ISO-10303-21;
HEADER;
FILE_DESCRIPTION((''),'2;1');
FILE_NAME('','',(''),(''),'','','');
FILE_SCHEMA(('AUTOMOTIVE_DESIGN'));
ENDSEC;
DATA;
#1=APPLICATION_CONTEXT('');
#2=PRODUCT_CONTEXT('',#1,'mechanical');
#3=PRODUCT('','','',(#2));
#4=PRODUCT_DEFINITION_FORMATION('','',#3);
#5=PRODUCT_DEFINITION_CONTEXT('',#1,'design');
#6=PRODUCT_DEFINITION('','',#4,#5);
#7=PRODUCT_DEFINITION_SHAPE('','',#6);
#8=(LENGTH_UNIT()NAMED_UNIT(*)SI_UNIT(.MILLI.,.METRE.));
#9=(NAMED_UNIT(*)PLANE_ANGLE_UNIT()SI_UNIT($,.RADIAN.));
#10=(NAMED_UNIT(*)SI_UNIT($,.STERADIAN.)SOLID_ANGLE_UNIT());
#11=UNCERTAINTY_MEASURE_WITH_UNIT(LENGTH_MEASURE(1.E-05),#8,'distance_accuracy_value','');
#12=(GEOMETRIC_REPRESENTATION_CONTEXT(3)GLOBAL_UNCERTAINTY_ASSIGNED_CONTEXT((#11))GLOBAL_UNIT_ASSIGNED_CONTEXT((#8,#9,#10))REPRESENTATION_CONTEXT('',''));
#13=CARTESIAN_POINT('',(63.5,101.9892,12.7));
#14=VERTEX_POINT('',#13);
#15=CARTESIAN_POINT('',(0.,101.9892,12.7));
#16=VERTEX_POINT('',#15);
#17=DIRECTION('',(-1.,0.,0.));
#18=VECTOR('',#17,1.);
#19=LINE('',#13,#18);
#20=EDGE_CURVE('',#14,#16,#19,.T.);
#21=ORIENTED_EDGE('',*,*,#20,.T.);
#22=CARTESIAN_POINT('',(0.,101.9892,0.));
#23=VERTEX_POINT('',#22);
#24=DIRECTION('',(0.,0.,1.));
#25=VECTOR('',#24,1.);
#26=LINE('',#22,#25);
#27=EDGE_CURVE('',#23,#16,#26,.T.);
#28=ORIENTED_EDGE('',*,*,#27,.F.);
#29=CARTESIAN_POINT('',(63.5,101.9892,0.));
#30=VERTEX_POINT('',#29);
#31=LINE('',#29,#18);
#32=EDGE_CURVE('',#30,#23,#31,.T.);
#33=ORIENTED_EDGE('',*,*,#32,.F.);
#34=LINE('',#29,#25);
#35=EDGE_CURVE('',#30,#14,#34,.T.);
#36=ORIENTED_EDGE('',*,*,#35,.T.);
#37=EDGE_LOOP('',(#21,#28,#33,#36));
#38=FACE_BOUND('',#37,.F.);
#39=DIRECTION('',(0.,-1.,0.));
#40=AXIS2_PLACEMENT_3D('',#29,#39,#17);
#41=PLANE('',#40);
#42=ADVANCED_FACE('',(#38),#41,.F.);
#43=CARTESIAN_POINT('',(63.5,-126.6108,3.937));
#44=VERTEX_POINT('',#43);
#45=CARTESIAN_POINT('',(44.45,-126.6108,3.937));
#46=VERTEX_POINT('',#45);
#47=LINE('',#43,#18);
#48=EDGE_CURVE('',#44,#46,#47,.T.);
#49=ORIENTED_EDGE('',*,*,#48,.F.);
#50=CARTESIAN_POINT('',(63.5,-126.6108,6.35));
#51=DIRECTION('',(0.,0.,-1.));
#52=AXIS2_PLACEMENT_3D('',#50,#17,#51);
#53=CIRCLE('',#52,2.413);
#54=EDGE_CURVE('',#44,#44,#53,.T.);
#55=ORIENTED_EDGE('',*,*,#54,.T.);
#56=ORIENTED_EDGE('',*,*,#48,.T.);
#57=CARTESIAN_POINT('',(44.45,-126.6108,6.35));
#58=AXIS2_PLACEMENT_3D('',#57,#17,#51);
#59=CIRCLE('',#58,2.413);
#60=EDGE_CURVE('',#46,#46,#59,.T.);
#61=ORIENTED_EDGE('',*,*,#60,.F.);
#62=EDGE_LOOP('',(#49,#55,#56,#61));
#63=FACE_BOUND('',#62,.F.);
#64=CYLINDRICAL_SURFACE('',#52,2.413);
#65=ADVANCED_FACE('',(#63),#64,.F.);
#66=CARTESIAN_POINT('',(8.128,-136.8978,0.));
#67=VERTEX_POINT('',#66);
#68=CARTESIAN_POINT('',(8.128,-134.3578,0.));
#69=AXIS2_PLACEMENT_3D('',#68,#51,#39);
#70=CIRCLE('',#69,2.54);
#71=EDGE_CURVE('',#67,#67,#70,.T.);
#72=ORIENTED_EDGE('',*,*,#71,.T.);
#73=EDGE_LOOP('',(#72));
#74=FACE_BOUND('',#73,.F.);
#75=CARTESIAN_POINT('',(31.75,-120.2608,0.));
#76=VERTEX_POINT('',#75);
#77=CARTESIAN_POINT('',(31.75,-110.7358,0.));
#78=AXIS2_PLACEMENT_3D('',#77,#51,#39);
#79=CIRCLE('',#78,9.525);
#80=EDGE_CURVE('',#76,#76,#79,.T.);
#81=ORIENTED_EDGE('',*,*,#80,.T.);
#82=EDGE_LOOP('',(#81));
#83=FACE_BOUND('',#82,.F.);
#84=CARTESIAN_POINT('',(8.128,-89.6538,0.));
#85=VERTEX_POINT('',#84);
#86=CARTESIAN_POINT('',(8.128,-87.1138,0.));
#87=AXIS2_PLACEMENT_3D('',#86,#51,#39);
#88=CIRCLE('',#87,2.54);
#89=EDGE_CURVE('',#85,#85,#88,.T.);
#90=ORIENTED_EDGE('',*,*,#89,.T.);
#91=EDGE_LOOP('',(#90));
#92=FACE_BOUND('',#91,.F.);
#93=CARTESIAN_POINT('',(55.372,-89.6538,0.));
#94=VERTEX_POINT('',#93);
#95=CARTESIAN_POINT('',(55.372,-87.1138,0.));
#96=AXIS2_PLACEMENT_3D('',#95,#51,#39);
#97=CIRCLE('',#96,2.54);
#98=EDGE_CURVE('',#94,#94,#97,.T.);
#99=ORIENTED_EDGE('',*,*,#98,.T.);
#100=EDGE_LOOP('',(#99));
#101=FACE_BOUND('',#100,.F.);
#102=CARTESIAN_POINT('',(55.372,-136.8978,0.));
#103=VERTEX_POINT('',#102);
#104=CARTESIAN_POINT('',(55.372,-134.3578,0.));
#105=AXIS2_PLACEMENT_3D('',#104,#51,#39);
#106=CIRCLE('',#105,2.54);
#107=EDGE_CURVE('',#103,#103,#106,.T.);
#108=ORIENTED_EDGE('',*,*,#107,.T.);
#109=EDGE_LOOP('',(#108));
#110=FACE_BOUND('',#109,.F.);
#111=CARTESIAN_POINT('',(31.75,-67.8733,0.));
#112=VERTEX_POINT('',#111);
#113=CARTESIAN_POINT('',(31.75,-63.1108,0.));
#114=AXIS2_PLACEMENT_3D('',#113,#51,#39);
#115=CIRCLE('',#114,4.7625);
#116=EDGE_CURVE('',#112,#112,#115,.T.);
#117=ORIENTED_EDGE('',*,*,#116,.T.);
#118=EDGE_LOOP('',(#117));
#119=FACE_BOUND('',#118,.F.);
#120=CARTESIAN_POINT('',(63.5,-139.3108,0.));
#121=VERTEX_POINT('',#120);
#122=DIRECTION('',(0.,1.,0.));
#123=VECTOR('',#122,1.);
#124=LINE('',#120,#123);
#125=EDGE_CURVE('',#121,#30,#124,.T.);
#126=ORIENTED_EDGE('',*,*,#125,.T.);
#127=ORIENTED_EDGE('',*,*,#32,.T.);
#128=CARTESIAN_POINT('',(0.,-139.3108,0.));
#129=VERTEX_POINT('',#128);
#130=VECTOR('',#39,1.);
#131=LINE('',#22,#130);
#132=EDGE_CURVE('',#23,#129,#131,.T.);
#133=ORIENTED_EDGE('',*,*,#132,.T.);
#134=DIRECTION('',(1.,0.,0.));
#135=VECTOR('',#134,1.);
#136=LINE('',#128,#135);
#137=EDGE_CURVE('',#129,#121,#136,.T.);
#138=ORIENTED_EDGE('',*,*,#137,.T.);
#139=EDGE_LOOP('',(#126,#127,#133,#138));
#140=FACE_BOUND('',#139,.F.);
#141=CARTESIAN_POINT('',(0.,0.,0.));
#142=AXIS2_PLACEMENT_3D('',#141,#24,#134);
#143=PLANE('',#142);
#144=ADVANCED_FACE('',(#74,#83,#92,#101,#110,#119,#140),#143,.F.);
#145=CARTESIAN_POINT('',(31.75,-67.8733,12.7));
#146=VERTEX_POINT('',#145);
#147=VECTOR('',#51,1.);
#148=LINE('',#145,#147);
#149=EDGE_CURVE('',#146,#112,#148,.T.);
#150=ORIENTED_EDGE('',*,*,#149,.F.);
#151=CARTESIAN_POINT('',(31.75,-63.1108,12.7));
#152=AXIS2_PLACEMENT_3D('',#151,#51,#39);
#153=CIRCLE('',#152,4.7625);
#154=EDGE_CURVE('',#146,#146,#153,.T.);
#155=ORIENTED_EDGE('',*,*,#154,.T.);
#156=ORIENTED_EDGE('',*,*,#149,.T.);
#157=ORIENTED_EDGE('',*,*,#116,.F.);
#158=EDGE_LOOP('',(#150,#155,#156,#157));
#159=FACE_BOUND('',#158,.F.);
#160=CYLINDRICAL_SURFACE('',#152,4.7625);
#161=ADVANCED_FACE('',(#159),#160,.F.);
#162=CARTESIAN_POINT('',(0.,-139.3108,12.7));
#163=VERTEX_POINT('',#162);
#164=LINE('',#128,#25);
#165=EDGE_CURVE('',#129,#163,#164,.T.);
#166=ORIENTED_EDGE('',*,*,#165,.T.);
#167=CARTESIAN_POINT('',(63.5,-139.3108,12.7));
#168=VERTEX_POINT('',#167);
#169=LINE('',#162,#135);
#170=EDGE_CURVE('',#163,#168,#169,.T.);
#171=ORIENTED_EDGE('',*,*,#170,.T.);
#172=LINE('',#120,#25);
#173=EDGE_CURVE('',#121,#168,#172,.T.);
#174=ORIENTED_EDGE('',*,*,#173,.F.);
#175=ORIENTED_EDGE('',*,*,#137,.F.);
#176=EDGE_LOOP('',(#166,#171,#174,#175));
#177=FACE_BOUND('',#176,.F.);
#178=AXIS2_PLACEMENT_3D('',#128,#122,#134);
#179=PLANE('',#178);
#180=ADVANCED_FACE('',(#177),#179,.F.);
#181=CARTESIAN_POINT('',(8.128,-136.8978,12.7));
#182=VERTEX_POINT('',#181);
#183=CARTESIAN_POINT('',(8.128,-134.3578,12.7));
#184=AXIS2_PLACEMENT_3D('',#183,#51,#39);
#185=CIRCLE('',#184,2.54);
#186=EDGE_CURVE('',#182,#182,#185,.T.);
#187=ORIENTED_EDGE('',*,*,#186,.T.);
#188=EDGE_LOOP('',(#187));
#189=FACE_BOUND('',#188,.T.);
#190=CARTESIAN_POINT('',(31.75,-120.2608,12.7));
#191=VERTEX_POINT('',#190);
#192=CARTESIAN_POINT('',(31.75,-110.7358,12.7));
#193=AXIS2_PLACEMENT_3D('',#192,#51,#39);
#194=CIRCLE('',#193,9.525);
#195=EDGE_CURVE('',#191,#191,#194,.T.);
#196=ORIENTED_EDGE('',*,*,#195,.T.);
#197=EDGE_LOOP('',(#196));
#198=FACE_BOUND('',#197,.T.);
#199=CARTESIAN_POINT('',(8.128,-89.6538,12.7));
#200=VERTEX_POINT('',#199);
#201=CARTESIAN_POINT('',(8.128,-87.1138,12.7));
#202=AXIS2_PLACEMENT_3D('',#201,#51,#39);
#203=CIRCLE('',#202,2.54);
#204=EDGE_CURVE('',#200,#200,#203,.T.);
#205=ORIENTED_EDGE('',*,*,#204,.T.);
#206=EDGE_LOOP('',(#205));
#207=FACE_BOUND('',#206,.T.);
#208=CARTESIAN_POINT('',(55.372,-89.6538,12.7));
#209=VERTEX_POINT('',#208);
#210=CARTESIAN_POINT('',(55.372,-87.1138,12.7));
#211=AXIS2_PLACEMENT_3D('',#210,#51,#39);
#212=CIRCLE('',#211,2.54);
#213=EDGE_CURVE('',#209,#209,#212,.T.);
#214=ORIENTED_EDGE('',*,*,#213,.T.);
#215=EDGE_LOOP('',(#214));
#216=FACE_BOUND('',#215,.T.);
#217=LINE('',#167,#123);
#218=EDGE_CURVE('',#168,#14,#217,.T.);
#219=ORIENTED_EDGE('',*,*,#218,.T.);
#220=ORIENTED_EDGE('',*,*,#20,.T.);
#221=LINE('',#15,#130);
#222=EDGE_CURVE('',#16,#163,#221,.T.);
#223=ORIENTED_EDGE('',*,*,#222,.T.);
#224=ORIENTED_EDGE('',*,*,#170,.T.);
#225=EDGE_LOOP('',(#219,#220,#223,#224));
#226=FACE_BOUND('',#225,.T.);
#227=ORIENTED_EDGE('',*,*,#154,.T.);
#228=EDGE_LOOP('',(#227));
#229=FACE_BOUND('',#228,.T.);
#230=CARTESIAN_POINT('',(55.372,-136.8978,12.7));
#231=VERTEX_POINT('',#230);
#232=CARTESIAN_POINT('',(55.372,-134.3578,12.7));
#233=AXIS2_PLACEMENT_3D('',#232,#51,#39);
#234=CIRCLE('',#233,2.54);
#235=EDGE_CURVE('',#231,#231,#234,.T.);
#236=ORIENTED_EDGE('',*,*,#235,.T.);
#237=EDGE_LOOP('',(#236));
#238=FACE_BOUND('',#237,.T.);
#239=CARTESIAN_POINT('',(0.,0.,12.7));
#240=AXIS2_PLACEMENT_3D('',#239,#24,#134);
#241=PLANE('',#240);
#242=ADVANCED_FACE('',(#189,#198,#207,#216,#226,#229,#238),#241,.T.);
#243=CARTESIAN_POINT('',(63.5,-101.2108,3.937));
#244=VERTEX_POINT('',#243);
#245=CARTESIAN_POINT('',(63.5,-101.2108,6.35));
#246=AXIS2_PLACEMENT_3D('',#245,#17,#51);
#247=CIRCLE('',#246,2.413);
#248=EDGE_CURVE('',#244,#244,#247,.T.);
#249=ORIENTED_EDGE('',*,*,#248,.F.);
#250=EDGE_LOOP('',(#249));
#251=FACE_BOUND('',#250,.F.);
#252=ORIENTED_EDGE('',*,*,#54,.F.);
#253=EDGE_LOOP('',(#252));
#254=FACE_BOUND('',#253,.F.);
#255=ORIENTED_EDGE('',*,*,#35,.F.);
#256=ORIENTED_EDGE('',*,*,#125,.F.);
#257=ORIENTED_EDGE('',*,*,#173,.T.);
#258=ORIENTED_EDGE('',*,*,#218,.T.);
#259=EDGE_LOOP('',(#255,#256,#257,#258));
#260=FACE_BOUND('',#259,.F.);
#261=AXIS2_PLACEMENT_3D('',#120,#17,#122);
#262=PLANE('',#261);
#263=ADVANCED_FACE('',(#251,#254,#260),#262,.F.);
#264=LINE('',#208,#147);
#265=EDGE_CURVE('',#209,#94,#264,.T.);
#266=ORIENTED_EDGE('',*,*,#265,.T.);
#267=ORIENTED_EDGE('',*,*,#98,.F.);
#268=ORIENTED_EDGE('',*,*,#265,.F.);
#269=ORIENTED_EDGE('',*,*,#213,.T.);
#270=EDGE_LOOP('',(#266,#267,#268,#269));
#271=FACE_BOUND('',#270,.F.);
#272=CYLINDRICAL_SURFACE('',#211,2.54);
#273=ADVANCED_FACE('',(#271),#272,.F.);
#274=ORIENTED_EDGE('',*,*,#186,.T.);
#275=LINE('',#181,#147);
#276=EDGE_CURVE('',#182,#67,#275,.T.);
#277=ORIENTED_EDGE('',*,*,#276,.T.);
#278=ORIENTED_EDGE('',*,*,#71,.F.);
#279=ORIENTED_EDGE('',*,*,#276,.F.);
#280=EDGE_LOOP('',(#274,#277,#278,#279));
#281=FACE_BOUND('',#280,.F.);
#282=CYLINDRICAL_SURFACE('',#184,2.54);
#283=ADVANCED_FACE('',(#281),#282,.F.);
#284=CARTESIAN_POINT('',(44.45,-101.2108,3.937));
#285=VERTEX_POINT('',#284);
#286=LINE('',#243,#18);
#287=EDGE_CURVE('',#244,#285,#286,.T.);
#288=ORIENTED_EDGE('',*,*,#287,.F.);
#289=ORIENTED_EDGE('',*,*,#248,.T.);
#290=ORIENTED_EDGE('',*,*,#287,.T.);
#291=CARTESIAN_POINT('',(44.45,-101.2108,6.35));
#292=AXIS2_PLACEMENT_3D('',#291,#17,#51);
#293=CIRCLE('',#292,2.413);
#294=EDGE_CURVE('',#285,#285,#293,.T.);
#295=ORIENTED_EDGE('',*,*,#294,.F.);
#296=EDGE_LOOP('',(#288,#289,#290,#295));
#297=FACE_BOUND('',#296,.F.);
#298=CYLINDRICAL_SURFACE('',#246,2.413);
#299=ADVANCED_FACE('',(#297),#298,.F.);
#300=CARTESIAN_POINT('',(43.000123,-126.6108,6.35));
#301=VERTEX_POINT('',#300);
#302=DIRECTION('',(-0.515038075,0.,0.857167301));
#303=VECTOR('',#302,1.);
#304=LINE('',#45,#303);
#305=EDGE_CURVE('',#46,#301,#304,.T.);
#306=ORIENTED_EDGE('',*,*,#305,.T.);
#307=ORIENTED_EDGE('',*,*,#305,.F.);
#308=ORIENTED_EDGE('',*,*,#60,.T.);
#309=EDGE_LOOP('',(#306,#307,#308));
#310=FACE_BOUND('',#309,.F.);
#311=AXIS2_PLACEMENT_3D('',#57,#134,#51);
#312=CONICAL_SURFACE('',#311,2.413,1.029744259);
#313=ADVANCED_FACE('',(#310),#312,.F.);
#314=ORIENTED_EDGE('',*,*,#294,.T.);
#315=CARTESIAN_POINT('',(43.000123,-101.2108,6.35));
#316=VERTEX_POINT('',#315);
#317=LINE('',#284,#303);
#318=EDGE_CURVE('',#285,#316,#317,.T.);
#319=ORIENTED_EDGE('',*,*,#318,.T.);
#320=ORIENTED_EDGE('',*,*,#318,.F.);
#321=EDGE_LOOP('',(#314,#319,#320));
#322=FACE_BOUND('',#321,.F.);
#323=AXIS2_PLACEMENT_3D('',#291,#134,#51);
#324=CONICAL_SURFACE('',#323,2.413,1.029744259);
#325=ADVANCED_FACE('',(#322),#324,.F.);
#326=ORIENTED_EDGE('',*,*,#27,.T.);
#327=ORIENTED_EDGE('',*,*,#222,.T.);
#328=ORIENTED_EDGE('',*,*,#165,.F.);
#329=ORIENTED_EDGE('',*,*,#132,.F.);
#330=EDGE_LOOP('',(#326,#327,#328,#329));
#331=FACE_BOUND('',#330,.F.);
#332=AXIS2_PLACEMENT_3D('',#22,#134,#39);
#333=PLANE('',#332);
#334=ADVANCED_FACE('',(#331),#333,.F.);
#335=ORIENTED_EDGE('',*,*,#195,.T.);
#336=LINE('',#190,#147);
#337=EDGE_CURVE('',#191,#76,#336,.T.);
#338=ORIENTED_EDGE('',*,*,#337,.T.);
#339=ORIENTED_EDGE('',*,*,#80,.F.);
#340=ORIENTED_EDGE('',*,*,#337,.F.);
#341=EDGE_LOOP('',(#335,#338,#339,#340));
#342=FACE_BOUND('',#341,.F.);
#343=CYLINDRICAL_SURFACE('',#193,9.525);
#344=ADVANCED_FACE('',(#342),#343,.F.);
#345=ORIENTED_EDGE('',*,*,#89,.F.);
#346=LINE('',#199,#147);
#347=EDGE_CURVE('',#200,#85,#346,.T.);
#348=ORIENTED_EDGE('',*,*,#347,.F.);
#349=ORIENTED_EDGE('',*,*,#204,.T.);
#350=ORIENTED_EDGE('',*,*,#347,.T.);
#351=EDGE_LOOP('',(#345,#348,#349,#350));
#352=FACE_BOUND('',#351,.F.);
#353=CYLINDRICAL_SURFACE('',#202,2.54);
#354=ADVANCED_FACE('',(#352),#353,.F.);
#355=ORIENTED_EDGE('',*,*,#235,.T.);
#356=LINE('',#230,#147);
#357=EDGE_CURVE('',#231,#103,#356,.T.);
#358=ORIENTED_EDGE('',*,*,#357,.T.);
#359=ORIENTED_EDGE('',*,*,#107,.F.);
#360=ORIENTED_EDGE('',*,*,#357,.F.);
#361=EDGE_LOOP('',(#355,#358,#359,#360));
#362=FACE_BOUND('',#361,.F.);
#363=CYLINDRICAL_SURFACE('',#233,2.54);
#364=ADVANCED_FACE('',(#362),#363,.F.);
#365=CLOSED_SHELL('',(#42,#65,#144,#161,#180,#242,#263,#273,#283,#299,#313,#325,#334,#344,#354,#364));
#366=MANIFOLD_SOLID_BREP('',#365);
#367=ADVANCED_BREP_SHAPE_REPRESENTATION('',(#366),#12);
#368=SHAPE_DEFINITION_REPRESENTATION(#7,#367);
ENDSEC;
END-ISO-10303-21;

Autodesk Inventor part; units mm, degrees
ref_plane "YZ Plane" through (0, 0, 0) normal (1, 0, 0) x (0, 1, 0)
ref_plane "XZ Plane" through (0, 0, 0) normal (0, 1, 0) x (-1, 0, 0)
ref_plane "XY Plane" through (0, 0, 0) normal (0, 0, 1) x (1, 0, 0)
sketch "Sketch1" plane through (0, 0, 0) normal (0, 0, 1) x (1, 0, 0)
  line L0 (0, -139.3108) -> (63.5, -139.3108)
  line L1 (63.5, -139.3108) -> (63.5, 101.9892)
  line L2 (63.5, 101.9892) -> (0, 101.9892)
  line L3 (0, 101.9892) -> (0, -139.3108)
  point P0 (0, 0)
  dimension "d0" = 63.5
  dimension "d1" = 241.3
extrude "Extrusion1" add sketch "Sketch1" along normal blind 12.7
hole "Hole15" at (8.128, -134.3578, 12.7) direction (0, 0, -1) diameter 5.08 end through all
hole "Hole16" at (55.372, -134.3578, 12.7) direction (0, 0, -1) diameter 5.08 end through all
hole "Hole17" at (8.128, -87.1138, 12.7) direction (0, 0, -1) diameter 5.08 end through all
hole "Hole18" at (55.372, -87.1138, 12.7) direction (0, 0, -1) diameter 5.08 end through all
hole "Hole19" at (31.75, -63.1108, 12.7) direction (0, 0, -1) diameter 9.525 end through all
hole "Hole20" at (31.75, -110.7358, 12.7) direction (0, 0, -1) diameter 19.05 end through all
sketch "Font" plane through (0, 0, 12.7) normal (0, 0, 1) x (1, 0, 0)
  circle A0 centre (31.75, -110.7358) radius 9.525 projected
  circle A1 centre (31.75, -63.1108) radius 4.7625 projected
  circle A2 centre (55.372, -87.1138) radius 2.54 projected
  circle A3 centre (8.128, -87.1138) radius 2.54 projected
  circle A4 centre (55.372, -134.3578) radius 2.54 projected
  circle A5 centre (8.128, -134.3578) radius 2.54 projected
  line L0 (0, -139.3108) -> (0, 101.9892) projected
  line L1 (63.5, -139.3108) -> (0, -139.3108) projected
  line L2 (63.5, 101.9892) -> (63.5, -139.3108) projected
  line L3 (0, 101.9892) -> (63.5, 101.9892) projected
  point P0 (0, 0)
  dimension "d220" = 241.3
  dimension "d221" = 5.08
  dimension "d222" = 9.525
  dimension "d223" = 19.05
  dimension "d224" = 8.128
  dimension "d225" = 4.953
  dimension "d226" = 28.575
  dimension "d227" = 76.2
  dimension "d228" = 8.128
  dimension "d229" = 4.953
  dimension "d230" = 52.197
  dimension "d231" = 52.197
  dimension "d238" = 31.75
sketch "bottom" plane through (0, -139.3108, 0) normal (0, -1, 0) x (1, 0, 0)
  line L0 (63.5, 12.7) -> (0, 12.7) projected
  line L1 (0, 0) -> (0, 12.7) projected
  line L2 (0, 0) -> (63.5, 0) projected
  line L3 (63.5, 0) -> (63.5, 12.7) projected
  point P0 (47.752, 6.35)
  point P1 (15.748, 6.35)
  dimension "d233" = 12.7
sketch "Right" plane through (63.5, -139.3108, 0) normal (1, 0, 0) x (0, 0, -1)
  line L0 (-12.7, 241.3) -> (-12.7, 0) projected
  line L1 (0, 0) -> (-12.7, 0) projected
  line L2 (0, 0) -> (0, 241.3) projected
  line L3 (0, 241.3) -> (-12.7, 241.3) projected
  point P0 (0, 139.3108)
hole "Hole25" at (63.5, -126.6108, 6.35) direction (-1, 0, 0) diameter 4.826 depth 19.05 tip angle 118
hole "Hole26" at (63.5, -101.2108, 6.35) direction (-1, 0, 0) diameter 4.826 depth 19.05 tip angle 118
sketch "Sketch6" plane through (63.5, -139.3108, 0) normal (1, 0, 0) x (0, 0, -1)
  circle A0 centre (-6.35, 38.1) radius 2.413 projected
  circle A1 centre (-6.35, 12.7) radius 2.413 projected
  line L0 (-12.7, 241.3) -> (-12.7, 0) projected
  line L1 (0, 0) -> (-12.7, 0) projected
  line L2 (0, 0) -> (0, 241.3) projected
  line L3 (0, 241.3) -> (-12.7, 241.3) projected
  point P0 (0, 139.3108)
  dimension "d257" = 4.826
  dimension "d260" = 38.1
  dimension "d261" = 12.7
properties part number "xtower1"
